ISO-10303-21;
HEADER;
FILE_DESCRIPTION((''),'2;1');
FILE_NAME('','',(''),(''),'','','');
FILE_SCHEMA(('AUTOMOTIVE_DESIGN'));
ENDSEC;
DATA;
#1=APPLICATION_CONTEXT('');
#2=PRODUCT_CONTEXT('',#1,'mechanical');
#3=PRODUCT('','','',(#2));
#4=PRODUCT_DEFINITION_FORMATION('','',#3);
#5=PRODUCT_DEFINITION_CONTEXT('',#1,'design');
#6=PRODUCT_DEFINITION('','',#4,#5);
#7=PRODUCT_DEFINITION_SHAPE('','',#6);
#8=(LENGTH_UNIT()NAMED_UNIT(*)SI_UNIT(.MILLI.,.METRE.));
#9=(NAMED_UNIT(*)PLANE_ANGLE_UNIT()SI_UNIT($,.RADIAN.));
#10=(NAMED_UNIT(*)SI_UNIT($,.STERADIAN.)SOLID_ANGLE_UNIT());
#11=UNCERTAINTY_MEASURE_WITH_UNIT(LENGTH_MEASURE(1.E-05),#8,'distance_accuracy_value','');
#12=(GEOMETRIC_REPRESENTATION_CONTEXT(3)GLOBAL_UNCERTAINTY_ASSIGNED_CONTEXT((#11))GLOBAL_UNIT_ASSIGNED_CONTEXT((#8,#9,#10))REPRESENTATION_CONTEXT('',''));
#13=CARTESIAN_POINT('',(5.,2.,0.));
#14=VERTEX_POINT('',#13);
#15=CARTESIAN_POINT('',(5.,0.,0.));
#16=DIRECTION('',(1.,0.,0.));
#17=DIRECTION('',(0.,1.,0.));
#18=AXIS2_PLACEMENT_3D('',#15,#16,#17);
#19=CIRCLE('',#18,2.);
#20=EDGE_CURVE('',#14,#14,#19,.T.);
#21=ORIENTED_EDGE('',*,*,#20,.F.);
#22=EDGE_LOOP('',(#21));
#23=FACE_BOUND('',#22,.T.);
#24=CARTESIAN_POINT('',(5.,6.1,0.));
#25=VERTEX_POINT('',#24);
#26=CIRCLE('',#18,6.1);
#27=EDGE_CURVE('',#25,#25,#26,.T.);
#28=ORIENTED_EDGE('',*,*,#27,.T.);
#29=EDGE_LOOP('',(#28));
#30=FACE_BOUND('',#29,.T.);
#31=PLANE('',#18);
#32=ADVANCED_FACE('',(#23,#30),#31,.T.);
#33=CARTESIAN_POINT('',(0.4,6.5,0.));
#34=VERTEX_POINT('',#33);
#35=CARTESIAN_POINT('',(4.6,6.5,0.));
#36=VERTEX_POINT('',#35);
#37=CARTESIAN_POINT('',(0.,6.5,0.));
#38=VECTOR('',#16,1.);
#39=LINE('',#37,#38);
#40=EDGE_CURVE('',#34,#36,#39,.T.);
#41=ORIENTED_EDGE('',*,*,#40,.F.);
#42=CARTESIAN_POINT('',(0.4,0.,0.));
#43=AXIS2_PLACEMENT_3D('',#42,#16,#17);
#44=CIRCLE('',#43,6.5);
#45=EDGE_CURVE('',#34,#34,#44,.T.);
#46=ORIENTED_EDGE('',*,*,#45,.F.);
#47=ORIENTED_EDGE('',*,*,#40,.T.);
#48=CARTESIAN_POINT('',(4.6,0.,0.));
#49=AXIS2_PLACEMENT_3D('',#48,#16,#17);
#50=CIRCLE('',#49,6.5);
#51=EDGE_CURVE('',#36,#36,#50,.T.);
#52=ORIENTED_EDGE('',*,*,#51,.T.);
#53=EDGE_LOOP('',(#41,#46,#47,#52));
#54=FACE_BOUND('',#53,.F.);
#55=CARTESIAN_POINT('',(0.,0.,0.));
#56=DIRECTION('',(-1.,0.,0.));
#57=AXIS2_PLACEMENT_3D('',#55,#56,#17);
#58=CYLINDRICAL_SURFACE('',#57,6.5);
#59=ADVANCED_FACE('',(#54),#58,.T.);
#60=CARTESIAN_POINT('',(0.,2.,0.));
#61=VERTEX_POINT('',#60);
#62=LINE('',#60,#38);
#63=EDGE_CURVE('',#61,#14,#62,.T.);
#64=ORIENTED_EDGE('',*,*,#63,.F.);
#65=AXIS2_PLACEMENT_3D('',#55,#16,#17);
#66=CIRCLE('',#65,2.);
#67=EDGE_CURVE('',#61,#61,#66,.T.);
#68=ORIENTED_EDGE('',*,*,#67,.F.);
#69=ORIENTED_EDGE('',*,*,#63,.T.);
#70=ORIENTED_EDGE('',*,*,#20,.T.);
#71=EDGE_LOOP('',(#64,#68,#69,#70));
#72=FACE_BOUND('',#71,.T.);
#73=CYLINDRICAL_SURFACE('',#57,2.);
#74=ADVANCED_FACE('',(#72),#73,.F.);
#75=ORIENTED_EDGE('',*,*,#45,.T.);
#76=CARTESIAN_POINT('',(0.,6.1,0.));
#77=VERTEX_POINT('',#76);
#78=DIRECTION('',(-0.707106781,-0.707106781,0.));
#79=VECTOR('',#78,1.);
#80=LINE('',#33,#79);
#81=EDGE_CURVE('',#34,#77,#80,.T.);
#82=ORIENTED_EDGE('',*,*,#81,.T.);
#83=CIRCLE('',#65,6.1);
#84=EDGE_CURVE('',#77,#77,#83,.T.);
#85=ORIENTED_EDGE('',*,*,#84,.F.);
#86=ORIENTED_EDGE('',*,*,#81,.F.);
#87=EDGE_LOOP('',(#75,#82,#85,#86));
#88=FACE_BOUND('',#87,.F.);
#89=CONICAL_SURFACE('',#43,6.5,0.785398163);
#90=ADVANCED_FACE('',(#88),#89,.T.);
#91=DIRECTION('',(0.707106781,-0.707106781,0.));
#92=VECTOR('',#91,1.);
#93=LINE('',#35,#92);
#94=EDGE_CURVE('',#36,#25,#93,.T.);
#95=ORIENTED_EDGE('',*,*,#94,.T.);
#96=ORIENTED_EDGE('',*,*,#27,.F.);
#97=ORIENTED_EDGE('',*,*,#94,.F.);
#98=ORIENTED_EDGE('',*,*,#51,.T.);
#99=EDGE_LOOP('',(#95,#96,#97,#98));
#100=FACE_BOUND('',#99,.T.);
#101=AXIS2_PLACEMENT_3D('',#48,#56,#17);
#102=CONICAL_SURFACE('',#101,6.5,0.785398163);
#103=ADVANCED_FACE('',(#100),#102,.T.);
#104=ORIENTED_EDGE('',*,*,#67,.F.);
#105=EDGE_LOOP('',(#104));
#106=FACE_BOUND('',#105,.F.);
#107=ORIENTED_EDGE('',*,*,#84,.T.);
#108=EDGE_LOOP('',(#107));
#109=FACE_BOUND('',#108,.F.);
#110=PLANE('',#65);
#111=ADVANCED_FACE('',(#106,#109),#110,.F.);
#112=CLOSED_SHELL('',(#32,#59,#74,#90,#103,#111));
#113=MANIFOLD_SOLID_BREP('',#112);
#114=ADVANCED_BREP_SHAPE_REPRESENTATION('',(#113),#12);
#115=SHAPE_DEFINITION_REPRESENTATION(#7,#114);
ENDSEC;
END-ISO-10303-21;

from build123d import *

# Parameters (mm, degrees)
F0_R     = 6.5
F0_R_2   = 2
F1_DEPTH = 5
F2_SIZE  = 0.4


with BuildPart() as f1:
    # F0 (on Right) → F1 (new body)
    with BuildSketch(Plane.YZ):
        Circle(F0_R)
        Circle(F0_R_2, mode=Mode.SUBTRACT)
    extrude(amount=F1_DEPTH)

    # F2
    f2_edges = [f1.edges().sort_by_distance(p)[0] for p in [
        (2.5, 6.5, 0),
        (0, -6.5, 0),
        (5, -6.5, 0),
    ]]
    chamfer(f2_edges, length=F2_SIZE)


solid = f1.part
